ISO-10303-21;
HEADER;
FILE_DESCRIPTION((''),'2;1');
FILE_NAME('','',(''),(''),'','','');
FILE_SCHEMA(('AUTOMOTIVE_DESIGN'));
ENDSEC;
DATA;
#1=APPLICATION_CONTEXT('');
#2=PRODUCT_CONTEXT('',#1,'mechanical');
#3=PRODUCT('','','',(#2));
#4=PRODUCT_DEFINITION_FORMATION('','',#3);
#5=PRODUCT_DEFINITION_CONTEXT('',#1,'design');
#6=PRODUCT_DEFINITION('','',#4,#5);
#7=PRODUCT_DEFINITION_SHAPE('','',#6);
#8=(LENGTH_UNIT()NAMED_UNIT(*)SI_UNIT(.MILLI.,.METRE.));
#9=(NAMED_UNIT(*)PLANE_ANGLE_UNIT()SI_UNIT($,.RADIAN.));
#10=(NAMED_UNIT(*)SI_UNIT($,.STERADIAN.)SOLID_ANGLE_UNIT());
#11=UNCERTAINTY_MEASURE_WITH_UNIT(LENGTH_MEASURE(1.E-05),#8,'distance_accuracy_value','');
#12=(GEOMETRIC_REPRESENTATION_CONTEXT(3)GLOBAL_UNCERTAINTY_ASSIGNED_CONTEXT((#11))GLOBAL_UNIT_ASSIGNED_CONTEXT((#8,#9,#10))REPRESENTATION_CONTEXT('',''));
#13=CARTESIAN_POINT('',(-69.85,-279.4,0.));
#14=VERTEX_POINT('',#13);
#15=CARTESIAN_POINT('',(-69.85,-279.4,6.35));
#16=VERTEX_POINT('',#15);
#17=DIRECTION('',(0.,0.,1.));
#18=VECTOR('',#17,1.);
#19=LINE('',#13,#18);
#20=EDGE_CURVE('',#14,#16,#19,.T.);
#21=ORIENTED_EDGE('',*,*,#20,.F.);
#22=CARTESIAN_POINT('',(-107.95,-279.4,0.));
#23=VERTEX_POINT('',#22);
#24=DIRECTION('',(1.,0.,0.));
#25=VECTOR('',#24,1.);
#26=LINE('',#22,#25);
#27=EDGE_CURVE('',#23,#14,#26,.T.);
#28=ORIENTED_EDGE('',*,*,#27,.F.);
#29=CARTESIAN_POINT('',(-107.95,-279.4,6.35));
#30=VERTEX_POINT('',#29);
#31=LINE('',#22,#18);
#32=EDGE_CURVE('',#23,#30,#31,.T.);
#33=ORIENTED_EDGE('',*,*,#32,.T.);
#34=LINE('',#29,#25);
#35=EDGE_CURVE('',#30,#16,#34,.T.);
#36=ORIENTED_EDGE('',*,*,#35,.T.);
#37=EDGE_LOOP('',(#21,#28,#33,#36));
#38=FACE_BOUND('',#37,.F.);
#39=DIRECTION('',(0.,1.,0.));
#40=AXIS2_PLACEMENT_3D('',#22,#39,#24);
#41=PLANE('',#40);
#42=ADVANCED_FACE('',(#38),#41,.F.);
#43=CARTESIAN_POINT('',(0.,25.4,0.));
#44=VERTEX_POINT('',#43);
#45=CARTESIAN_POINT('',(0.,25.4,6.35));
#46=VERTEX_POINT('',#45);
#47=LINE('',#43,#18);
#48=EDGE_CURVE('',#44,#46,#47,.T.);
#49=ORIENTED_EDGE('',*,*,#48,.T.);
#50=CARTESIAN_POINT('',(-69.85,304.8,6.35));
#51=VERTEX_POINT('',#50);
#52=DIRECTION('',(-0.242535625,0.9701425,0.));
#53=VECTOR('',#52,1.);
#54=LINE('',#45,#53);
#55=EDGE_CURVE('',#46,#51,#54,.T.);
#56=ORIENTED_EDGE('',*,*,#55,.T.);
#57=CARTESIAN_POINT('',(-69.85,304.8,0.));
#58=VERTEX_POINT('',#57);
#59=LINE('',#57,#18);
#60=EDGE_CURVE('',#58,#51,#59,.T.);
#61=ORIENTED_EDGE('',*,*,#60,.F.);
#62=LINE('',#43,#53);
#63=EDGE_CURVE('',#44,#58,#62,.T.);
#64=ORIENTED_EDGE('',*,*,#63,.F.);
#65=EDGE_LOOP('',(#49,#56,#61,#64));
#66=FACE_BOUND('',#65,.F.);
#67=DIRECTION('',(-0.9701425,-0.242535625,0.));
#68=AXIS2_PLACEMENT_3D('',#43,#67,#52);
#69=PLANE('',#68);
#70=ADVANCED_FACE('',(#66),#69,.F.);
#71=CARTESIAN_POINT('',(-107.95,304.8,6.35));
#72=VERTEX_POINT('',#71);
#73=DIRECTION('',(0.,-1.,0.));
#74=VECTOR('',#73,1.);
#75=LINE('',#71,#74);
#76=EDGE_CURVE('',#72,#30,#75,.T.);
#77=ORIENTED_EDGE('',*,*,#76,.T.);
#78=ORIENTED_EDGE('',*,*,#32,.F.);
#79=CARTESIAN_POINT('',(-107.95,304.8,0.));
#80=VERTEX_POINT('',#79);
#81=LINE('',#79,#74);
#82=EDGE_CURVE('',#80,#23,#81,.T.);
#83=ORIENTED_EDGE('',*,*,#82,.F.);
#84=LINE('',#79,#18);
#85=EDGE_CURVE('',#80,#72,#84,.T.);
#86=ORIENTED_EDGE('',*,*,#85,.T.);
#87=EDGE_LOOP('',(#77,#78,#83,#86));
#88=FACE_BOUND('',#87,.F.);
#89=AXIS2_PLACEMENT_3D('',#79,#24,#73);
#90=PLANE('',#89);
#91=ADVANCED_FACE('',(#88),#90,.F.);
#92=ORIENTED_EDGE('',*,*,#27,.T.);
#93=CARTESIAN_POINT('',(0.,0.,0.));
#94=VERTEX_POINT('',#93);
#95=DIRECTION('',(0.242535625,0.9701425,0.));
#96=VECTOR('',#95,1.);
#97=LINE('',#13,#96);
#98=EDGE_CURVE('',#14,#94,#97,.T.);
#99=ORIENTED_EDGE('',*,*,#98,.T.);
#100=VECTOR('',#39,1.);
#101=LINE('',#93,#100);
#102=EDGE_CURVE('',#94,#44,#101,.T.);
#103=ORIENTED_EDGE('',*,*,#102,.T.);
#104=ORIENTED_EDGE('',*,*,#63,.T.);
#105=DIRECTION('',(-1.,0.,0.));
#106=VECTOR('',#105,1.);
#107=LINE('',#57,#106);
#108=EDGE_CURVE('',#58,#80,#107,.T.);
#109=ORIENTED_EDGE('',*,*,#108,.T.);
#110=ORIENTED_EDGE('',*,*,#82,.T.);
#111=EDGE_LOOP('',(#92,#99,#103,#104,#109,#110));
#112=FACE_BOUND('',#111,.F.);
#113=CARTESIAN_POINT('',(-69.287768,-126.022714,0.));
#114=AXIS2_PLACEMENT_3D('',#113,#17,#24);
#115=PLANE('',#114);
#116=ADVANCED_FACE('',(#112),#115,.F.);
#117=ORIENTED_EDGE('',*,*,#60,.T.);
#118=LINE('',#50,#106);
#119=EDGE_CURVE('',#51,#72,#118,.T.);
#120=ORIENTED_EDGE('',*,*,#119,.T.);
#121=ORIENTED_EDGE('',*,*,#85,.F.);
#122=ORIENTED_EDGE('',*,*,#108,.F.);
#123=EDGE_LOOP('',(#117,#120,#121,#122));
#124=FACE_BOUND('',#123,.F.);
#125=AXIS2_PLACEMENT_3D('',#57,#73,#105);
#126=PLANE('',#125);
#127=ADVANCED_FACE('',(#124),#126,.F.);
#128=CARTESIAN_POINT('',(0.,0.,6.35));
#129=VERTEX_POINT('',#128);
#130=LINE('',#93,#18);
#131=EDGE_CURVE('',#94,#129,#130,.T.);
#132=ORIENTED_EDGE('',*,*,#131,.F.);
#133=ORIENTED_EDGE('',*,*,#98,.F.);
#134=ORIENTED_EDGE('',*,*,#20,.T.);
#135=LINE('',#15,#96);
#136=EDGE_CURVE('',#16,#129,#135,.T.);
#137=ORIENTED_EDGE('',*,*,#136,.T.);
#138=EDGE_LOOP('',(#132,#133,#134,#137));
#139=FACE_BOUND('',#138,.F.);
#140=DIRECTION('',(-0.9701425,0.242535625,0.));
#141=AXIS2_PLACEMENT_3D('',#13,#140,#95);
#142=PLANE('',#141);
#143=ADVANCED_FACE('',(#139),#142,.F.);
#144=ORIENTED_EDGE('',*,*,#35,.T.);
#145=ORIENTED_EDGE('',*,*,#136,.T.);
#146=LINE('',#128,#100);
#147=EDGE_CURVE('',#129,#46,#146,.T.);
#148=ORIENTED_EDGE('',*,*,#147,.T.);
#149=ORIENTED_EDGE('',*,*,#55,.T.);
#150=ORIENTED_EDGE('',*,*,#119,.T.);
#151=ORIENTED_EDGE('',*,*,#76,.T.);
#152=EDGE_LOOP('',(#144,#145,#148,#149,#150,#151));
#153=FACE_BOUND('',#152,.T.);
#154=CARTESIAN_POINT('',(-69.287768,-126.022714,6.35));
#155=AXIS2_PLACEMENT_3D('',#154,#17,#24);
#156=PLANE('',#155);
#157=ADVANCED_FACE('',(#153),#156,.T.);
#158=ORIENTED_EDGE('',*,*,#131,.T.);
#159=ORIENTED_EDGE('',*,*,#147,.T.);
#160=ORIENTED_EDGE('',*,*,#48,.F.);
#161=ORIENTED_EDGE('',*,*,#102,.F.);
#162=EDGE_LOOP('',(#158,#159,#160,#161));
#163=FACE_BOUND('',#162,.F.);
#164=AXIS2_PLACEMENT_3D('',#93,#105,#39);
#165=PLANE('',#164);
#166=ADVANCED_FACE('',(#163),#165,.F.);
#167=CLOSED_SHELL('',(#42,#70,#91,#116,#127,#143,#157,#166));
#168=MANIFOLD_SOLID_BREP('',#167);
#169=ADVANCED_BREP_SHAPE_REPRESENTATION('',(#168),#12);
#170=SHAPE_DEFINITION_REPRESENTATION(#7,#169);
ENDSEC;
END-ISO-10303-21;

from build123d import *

# Parameters (mm, degrees)
F0_W     = 107.95
F0_H     = 12.7
F1_DEPTH = 6.35


with BuildPart() as f1:
    # F0 (on Top) → F1 (new body)
    with BuildSketch(Plane.XY):
        Polygon((-69.85, -279.4), (0, 0), (-107.95, 0), (-107.95, -279.4), align=None)
        Polygon((-107.95, 25.4), (0, 25.4), (-69.85, 304.8), (-107.95, 304.8), align=None)
        with Locations((-53.975, 19.05)):
            Rectangle(F0_W, F0_H)
        with Locations((-53.975, 6.35)):
            Rectangle(F0_W, F0_H)
    extrude(amount=F1_DEPTH)


solid = f1.part
